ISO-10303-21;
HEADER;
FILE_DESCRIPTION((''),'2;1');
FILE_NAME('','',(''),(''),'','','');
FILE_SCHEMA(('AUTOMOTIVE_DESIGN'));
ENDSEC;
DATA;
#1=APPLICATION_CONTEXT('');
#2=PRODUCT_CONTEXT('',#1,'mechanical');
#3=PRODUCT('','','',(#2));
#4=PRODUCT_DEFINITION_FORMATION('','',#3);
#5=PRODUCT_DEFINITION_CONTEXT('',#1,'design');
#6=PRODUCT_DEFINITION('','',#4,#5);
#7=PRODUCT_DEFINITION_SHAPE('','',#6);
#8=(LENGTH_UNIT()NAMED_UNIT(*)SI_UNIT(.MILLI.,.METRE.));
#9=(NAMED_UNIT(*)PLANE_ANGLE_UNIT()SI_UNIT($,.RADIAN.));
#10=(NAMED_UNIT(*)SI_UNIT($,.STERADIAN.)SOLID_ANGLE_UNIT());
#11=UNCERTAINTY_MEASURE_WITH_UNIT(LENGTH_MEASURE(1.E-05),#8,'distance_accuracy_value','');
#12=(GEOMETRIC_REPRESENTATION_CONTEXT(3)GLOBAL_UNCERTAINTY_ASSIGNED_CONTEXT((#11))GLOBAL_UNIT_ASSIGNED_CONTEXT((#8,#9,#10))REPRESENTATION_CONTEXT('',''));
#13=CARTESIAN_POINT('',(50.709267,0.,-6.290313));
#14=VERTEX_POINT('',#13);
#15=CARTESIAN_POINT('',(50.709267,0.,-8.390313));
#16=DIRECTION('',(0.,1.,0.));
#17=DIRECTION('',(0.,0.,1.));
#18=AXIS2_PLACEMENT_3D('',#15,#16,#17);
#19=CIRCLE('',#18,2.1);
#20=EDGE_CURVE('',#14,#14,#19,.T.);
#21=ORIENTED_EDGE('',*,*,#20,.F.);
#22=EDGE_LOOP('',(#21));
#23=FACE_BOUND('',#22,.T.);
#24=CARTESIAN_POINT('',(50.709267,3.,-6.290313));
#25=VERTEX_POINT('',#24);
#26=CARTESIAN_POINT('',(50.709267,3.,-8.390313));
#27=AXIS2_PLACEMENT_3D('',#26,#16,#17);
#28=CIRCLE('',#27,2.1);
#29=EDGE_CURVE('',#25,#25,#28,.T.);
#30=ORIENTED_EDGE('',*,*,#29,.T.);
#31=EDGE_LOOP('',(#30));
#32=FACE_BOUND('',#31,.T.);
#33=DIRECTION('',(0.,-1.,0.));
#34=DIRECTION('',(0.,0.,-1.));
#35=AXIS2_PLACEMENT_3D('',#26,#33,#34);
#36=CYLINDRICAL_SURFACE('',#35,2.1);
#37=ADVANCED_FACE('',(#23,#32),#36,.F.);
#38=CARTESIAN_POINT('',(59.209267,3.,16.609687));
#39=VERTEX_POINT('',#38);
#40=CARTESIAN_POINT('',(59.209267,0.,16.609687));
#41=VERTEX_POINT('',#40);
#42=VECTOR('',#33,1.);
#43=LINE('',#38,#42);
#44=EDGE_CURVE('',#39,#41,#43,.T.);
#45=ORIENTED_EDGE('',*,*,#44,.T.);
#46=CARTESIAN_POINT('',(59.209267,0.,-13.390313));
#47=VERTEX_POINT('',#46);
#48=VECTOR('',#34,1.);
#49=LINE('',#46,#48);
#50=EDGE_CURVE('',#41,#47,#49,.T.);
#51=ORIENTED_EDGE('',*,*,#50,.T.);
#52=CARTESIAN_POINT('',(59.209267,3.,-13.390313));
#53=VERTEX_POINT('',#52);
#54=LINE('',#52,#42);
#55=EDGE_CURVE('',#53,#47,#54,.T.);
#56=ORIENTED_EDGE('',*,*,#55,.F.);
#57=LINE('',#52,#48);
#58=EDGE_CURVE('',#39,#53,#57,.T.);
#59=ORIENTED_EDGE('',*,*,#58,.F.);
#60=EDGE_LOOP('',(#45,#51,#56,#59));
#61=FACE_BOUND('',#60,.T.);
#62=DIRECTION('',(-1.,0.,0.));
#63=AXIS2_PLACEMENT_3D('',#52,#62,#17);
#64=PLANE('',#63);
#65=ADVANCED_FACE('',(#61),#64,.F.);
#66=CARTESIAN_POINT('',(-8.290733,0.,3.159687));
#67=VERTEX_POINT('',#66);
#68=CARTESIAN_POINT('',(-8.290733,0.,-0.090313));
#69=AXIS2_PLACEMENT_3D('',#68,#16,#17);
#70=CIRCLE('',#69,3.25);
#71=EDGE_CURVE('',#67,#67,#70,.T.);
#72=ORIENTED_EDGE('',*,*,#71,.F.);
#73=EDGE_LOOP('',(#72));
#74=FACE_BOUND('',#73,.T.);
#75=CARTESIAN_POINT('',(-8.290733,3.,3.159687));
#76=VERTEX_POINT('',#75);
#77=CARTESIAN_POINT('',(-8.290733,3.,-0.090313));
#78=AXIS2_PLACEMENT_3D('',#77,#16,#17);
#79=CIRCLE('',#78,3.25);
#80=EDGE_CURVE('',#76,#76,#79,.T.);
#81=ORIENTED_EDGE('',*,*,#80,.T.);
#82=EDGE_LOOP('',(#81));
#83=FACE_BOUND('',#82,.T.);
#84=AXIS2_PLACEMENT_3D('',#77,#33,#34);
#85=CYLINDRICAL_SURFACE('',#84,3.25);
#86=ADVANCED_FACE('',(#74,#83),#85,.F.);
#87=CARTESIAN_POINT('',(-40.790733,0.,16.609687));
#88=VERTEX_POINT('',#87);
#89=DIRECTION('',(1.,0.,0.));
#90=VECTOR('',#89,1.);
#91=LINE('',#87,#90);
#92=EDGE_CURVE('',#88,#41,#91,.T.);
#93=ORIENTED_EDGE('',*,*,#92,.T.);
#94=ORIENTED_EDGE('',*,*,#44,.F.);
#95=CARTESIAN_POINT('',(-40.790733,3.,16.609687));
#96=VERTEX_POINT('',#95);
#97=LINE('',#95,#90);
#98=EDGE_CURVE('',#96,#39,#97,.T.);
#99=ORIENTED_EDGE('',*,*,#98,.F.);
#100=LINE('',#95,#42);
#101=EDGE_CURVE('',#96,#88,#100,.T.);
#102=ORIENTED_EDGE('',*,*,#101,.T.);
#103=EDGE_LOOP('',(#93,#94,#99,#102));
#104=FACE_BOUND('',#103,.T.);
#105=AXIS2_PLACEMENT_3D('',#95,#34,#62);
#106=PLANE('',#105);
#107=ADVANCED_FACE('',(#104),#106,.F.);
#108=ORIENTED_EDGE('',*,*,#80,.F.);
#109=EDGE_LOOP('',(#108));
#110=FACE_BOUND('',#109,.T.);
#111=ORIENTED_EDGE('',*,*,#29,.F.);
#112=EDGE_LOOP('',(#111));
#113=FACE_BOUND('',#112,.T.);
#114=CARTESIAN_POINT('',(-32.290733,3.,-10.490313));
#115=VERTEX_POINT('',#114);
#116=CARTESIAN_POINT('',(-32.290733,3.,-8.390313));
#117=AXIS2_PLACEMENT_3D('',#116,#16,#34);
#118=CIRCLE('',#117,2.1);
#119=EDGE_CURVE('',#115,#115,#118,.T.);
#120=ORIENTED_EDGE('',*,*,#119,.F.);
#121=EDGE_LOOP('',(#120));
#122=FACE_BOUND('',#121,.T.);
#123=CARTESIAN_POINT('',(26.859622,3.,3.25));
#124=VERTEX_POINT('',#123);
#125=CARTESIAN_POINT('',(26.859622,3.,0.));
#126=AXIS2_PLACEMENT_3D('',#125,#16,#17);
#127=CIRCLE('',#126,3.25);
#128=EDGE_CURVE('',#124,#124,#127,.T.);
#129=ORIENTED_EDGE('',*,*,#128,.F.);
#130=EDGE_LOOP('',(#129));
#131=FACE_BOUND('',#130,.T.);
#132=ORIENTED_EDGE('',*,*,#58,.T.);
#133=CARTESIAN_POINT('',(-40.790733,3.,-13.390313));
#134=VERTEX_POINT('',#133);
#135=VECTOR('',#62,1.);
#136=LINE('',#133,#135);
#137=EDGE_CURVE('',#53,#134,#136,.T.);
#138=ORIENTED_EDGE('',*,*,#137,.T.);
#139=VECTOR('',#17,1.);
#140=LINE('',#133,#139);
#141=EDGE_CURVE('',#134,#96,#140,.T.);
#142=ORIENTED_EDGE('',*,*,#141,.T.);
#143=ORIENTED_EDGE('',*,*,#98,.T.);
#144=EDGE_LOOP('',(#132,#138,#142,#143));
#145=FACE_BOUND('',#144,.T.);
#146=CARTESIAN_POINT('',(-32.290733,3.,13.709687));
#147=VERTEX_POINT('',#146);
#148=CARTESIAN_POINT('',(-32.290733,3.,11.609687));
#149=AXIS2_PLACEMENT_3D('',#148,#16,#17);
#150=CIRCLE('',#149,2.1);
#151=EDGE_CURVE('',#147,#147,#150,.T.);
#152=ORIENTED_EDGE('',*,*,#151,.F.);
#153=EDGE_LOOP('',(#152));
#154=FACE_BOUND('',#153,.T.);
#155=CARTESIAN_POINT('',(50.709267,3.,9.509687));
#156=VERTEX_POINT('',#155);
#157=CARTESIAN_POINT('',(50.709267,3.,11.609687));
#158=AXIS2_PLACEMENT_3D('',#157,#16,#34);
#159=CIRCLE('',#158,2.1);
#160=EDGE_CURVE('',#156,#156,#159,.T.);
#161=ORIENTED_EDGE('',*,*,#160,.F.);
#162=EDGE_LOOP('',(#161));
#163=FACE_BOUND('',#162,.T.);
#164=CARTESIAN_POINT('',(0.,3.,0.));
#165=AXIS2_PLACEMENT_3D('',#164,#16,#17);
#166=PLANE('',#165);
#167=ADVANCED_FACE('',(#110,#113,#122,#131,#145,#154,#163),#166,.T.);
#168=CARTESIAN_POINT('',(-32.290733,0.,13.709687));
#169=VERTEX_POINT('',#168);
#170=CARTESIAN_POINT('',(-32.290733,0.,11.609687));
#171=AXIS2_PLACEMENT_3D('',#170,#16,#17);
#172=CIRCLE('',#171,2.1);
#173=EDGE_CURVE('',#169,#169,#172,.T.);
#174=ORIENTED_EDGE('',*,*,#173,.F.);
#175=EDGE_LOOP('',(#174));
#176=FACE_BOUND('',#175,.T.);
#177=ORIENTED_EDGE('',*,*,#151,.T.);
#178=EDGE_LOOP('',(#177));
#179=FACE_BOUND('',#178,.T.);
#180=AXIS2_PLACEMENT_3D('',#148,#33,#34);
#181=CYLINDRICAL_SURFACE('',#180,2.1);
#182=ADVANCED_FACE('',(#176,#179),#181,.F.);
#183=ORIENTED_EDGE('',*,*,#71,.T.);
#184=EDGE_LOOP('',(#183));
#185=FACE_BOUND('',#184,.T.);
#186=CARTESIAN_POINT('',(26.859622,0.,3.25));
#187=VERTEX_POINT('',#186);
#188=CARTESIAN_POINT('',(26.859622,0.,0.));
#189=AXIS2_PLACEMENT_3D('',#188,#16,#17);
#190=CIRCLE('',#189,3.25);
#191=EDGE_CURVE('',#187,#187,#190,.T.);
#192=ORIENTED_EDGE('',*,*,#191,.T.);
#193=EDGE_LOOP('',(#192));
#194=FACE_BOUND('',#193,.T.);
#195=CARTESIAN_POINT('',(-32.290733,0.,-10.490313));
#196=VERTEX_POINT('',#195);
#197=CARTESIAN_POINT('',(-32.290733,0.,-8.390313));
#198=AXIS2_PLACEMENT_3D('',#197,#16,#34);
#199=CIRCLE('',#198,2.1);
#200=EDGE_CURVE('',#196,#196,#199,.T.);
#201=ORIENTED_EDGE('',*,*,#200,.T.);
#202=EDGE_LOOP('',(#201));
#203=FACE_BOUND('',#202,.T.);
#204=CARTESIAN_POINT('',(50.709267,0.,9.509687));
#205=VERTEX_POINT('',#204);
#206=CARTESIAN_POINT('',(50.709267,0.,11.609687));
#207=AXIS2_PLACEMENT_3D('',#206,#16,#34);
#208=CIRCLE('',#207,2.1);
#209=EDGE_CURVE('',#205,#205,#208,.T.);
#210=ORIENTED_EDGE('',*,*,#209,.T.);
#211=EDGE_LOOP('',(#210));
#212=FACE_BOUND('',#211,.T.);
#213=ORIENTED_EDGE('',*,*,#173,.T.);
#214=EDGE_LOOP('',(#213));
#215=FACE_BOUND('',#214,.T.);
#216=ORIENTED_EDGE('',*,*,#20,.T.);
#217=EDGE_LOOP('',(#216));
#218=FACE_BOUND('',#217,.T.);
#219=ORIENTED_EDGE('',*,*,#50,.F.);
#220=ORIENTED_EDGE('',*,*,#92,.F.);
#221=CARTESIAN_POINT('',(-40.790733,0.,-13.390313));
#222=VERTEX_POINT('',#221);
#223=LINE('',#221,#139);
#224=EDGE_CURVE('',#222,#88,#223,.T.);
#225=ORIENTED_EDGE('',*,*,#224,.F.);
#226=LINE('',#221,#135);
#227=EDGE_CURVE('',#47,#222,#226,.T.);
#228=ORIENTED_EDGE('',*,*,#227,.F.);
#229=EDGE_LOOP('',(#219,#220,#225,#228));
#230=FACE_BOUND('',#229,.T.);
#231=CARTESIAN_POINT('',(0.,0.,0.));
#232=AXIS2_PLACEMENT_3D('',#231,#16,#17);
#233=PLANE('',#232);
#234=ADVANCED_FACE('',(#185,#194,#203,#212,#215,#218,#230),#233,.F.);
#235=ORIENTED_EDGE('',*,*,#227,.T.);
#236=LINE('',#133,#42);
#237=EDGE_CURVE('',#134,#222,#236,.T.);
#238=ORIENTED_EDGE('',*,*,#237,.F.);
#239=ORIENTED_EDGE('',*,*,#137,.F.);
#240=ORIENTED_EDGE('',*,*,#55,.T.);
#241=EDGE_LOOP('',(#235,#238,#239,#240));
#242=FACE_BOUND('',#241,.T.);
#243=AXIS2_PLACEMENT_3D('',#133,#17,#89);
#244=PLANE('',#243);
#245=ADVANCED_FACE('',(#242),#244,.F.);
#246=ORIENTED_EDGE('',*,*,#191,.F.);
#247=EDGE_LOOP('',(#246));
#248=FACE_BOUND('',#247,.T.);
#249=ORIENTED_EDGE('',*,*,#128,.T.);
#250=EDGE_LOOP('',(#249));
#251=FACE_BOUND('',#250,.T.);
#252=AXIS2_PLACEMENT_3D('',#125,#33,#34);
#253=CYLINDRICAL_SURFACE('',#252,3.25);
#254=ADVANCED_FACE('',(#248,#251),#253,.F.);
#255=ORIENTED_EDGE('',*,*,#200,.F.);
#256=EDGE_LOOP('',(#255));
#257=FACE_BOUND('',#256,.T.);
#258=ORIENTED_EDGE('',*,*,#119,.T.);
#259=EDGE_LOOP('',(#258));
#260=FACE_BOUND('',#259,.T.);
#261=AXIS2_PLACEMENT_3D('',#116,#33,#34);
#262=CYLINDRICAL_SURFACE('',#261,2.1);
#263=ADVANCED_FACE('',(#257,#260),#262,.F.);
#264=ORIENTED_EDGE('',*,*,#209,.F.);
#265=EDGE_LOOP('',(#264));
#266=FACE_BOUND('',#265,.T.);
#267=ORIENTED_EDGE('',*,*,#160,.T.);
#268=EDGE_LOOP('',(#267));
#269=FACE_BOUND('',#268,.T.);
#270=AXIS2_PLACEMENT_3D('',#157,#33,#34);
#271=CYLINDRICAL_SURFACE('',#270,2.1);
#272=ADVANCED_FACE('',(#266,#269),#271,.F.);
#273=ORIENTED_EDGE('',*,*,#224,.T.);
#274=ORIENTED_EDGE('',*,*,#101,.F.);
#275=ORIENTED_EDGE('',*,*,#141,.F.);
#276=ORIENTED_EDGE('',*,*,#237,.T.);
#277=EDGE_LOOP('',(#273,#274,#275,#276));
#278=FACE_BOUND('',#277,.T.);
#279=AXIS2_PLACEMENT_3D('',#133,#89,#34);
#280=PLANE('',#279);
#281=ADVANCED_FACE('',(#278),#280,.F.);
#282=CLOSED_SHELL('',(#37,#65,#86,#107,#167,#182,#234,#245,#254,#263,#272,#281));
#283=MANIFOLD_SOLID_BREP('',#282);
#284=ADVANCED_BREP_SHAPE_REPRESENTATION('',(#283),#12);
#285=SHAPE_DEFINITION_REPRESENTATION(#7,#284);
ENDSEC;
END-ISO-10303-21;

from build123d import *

# Parameters (mm, degrees)
SKETCH1_W           = 100
SKETCH1_H           = 30
SKETCH1_R           = 2.1
SKETCH1_R_2         = 3.25
BOSS_EXTRUDE1_DEPTH = 3


with BuildPart() as part:
    # Sketch1 → Boss-Extrude1 (new body)
    with BuildSketch(Plane(origin=(0, 0, 0), x_dir=(1, 0, 0), z_dir=(0, 1, 0))):
        with Locations((9.209266856, -1.60968661)):
            Rectangle(SKETCH1_W, SKETCH1_H)
        with Locations(Location((50.709266856, 8.39031339, 0), (0, 0, 270))):
            Circle(SKETCH1_R, mode=Mode.SUBTRACT)
        with Locations(Location((50.709266856, -11.60968661, 0), (0, 0, 90))):
            Circle(SKETCH1_R, mode=Mode.SUBTRACT)
        with Locations(Location((-32.290733144, 8.39031339, 0), (0, 0, 90))):
            Circle(SKETCH1_R, mode=Mode.SUBTRACT)
        with Locations(Location((-32.290733144, -11.60968661, 0), (0, 0, 270))):
            Circle(SKETCH1_R, mode=Mode.SUBTRACT)
        with Locations(Location((-8.290733144, 0.09031339, 0), (0, 0, 270))):
            Circle(SKETCH1_R_2, mode=Mode.SUBTRACT)
        with Locations(Location((26.859621674, 0, 0), (0, 0, 270))):
            Circle(SKETCH1_R_2, mode=Mode.SUBTRACT)
    extrude(amount=BOSS_EXTRUDE1_DEPTH)


solid = part.part
